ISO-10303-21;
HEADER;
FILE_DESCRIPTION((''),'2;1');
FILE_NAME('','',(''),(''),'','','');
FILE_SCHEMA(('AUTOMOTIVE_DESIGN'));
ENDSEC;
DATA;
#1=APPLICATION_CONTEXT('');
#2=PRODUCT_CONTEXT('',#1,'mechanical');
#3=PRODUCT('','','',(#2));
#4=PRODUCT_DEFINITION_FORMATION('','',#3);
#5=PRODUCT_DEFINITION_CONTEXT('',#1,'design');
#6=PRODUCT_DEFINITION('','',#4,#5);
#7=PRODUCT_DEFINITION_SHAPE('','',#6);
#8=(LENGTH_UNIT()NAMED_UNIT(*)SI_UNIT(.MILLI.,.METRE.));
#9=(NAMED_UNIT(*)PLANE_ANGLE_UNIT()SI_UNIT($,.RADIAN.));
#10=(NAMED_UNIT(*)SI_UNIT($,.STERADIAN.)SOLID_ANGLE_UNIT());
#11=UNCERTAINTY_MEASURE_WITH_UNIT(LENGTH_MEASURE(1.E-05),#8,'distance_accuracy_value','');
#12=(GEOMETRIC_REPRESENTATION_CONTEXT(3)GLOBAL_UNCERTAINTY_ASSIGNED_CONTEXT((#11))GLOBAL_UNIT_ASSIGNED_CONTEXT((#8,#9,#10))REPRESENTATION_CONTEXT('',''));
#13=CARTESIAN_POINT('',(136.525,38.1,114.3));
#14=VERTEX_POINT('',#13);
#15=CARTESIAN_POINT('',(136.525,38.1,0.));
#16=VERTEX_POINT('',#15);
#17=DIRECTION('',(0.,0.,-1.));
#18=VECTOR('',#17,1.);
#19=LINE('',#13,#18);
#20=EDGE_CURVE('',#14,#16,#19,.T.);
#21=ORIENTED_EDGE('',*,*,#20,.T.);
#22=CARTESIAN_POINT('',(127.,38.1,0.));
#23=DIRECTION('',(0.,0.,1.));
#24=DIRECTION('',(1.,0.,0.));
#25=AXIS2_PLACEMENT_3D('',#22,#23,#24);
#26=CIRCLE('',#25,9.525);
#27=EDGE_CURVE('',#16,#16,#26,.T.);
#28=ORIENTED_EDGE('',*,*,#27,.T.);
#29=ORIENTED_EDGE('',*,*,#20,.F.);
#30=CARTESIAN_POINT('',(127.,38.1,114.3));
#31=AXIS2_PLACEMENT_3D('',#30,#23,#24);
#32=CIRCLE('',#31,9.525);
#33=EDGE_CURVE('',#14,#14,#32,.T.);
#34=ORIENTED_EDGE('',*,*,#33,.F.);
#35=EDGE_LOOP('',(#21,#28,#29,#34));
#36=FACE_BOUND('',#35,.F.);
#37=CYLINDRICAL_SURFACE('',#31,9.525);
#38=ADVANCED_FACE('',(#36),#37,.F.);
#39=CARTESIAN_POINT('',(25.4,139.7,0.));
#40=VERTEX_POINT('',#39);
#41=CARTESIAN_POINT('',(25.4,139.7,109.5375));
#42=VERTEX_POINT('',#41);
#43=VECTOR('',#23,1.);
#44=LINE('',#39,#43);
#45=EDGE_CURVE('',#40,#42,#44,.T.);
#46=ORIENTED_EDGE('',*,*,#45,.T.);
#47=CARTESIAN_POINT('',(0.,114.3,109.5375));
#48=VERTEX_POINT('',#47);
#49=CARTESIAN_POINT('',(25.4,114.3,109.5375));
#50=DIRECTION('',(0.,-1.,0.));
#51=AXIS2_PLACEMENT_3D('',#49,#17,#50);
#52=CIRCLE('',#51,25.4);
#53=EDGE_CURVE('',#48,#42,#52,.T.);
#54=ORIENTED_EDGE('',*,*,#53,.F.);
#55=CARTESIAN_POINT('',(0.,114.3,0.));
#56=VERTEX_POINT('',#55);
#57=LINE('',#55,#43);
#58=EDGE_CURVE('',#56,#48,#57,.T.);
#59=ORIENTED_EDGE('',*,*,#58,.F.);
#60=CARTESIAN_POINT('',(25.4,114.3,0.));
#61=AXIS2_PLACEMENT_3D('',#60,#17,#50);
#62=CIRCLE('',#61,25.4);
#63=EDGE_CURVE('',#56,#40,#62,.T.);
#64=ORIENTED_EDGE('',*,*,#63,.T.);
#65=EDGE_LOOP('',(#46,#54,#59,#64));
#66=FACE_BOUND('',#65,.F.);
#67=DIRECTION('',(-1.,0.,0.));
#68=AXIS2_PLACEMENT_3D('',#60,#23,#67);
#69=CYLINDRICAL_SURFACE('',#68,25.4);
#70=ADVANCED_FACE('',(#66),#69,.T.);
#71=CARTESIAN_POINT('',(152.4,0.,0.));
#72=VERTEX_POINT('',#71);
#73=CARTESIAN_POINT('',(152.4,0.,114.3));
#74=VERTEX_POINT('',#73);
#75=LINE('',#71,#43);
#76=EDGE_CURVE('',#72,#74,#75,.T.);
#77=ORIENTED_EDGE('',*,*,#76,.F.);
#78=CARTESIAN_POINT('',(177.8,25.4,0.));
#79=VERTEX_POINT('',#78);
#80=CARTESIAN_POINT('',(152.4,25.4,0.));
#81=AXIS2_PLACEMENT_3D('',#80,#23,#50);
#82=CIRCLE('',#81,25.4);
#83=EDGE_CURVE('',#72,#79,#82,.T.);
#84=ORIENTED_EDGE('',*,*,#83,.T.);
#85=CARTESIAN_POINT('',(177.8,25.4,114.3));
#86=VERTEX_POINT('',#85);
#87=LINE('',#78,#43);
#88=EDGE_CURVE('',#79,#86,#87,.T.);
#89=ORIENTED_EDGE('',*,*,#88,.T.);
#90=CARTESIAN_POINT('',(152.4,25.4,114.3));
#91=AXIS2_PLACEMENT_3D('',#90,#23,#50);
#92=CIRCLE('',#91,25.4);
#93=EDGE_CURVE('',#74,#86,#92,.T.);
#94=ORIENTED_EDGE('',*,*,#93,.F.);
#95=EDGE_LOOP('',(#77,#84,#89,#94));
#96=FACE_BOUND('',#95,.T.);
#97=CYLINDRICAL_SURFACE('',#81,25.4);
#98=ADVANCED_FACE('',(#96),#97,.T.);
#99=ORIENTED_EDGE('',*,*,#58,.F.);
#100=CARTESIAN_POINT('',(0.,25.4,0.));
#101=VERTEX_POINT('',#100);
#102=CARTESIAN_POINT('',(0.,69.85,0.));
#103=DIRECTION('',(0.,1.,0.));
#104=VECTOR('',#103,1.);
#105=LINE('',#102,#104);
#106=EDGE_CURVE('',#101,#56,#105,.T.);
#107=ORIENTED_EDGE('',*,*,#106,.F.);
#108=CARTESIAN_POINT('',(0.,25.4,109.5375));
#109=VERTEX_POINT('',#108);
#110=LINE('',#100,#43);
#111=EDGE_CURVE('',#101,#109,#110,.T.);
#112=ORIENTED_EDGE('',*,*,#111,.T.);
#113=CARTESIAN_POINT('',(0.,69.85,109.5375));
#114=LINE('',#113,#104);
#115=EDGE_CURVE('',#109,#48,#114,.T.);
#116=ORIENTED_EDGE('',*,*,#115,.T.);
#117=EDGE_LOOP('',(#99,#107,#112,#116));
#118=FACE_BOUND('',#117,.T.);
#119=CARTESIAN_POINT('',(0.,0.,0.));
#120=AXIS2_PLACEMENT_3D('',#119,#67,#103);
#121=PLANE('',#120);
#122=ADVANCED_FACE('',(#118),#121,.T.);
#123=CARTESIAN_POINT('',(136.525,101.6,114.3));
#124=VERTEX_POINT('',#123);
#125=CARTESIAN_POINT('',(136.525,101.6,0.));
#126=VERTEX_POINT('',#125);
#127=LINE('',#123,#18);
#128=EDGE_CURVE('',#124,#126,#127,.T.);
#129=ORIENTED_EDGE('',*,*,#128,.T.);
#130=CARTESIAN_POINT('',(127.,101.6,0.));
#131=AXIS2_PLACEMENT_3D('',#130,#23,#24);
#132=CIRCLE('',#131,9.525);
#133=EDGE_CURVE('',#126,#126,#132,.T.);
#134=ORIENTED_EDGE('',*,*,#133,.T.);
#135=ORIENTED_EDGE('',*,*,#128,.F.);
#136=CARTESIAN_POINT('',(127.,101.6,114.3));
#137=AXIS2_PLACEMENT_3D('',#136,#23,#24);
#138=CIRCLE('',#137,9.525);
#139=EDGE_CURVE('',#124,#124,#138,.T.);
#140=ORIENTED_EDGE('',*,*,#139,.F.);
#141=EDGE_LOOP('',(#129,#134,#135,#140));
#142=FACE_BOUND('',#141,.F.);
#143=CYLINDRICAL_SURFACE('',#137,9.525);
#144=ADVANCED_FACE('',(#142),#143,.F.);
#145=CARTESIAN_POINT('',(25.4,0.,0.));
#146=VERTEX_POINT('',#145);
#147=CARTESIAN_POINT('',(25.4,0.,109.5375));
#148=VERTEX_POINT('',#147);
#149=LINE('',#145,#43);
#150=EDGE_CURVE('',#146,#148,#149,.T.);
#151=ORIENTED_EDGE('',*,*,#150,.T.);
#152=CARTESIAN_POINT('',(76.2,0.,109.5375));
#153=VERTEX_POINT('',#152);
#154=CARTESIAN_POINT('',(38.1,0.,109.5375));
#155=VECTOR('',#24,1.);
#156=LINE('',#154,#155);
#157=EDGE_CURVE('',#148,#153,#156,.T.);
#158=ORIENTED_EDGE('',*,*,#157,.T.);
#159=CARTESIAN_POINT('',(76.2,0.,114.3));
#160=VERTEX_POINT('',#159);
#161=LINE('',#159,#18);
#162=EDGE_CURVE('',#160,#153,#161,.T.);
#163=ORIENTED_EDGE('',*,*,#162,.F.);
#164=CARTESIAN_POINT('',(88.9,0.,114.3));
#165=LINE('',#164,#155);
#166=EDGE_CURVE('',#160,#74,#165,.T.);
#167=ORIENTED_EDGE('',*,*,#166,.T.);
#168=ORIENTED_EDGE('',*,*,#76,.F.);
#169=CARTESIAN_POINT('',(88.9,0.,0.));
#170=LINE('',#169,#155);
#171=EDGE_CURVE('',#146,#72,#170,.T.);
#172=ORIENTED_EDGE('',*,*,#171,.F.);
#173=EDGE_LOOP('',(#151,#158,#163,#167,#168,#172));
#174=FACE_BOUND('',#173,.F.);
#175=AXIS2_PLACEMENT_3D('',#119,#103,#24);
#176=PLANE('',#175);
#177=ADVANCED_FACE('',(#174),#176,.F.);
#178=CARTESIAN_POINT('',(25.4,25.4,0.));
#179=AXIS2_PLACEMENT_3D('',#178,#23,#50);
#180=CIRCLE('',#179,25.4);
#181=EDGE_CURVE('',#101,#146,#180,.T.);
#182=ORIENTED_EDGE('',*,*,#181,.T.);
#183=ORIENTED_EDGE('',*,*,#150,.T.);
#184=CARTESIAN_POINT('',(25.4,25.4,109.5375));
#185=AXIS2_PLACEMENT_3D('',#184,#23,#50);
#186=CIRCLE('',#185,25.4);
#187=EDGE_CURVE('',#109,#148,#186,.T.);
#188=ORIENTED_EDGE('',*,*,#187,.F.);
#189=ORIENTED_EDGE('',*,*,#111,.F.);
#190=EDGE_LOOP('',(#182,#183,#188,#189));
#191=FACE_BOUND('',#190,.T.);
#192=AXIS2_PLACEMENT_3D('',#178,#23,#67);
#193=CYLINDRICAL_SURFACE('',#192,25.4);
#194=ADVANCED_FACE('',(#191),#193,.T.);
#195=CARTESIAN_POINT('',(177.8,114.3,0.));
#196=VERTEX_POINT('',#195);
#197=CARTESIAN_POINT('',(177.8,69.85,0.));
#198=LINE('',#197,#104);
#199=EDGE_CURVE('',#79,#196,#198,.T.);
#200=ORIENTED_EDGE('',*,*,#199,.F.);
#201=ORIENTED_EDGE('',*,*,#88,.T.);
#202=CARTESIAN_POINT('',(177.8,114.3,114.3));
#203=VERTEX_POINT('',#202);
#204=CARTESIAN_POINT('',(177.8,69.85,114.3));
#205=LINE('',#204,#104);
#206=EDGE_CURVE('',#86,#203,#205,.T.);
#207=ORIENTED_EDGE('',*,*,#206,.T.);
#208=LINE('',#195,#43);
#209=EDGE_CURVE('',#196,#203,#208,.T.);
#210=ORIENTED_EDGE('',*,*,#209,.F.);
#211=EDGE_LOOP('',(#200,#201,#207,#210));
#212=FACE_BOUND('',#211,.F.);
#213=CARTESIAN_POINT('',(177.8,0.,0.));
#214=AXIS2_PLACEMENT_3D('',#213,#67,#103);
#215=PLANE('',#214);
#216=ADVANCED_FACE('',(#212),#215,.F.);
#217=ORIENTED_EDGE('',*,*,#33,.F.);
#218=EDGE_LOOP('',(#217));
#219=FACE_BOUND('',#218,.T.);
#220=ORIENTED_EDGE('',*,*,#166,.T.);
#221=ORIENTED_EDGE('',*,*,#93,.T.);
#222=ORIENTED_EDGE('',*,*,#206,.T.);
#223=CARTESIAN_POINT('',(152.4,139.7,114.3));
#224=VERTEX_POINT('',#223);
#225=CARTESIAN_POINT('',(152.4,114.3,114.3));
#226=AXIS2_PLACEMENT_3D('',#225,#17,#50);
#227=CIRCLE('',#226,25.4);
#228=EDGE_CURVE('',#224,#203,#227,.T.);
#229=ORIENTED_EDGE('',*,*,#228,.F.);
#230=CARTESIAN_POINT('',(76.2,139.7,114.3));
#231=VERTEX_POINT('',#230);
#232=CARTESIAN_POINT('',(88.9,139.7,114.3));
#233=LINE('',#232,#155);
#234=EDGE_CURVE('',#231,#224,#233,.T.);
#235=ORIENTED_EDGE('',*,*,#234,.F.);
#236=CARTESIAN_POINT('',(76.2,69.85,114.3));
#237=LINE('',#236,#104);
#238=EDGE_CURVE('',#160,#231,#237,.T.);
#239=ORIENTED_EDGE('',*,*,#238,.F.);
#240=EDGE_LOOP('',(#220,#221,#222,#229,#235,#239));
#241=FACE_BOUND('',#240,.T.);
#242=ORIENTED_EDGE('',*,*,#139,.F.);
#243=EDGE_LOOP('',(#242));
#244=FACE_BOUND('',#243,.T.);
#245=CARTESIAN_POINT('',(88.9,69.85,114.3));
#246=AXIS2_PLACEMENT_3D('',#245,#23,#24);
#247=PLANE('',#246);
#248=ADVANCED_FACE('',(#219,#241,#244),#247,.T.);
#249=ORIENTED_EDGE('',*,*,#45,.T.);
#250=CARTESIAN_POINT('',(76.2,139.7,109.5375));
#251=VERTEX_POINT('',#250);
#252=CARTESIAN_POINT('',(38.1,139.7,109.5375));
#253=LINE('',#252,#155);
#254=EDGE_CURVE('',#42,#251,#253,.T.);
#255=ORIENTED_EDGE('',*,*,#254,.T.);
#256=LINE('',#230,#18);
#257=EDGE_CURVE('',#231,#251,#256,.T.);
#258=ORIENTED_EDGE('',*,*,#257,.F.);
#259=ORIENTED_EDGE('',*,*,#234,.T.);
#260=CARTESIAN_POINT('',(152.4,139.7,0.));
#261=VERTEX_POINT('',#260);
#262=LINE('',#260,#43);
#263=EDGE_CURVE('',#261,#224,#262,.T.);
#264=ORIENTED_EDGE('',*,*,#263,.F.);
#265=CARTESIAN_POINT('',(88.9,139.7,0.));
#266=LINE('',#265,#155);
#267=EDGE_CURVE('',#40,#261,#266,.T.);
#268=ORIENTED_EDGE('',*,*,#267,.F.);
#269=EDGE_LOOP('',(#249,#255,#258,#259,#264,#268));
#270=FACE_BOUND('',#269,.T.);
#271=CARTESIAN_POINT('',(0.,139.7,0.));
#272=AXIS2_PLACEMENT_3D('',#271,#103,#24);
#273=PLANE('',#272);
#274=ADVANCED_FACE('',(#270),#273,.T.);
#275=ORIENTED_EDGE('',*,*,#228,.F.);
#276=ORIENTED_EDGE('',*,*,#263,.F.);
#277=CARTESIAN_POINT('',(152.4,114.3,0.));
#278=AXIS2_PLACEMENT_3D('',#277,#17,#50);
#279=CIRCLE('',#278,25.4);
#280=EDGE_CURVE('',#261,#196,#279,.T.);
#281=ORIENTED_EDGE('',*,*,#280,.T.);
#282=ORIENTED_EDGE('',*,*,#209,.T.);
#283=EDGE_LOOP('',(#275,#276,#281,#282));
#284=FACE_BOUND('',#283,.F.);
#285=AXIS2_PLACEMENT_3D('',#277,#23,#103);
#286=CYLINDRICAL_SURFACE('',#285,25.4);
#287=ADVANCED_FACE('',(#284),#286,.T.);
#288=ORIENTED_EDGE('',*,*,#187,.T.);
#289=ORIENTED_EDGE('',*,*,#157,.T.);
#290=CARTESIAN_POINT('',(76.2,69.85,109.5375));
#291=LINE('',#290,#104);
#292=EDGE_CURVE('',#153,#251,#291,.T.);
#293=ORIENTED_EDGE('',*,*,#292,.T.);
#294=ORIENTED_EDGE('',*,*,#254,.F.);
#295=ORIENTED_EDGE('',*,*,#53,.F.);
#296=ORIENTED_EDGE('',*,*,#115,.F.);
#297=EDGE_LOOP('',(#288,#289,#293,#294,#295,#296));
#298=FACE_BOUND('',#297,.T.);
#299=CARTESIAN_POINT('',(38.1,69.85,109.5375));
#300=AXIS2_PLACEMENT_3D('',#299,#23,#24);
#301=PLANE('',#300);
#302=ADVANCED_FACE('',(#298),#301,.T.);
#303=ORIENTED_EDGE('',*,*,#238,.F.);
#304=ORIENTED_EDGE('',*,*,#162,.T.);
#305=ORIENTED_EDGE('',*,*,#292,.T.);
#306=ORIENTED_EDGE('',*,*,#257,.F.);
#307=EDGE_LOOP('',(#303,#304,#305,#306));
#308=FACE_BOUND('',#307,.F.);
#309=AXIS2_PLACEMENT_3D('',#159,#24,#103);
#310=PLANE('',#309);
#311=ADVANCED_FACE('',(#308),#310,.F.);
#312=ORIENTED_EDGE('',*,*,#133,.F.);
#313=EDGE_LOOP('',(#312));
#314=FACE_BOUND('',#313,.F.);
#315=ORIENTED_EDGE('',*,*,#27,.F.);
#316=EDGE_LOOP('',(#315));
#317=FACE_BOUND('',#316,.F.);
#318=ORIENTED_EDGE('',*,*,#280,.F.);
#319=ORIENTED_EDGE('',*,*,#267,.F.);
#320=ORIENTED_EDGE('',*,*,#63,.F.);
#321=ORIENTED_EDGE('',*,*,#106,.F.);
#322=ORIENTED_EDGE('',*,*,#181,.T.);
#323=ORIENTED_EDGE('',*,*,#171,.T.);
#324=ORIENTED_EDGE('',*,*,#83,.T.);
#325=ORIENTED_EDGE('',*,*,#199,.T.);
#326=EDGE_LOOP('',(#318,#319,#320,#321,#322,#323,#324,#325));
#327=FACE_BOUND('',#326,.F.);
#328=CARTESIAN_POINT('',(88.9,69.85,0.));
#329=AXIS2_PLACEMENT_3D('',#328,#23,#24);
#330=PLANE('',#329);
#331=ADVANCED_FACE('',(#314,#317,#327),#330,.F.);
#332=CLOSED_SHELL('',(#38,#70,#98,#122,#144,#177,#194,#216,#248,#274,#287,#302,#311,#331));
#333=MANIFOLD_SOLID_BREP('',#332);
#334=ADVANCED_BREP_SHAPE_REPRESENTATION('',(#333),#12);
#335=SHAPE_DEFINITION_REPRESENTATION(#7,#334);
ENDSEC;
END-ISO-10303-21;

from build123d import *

# Parameters (mm, degrees)
F0_W     = 177.8
F0_H     = 139.7
F1_DEPTH = 114.3
F2_W     = 76.2
F2_H     = 139.7
F3_DEPTH = 4.7625
F4_R     = 9.525
F5_DEPTH = 114.301
F6_R     = 25.4


with BuildPart() as f1:
    # F0 (on Top) → F1 (new body)
    with BuildSketch(Plane.XY):
        with Locations((88.9, 69.85)):
            Rectangle(F0_W, F0_H)
    extrude(amount=F1_DEPTH)

    # F2 (on face) → F3 (cut)
    with BuildSketch(Plane.XY.offset(114.3)):
        with Locations((38.1, 69.85)):
            Rectangle(F2_W, F2_H)
    extrude(amount=-F3_DEPTH, mode=Mode.SUBTRACT)

    # F4 (on face) → F5 (cut, through all)
    with BuildSketch(Plane.XY.offset(114.3)):
        with Locations((127, 101.6)):
            Circle(F4_R)
        with Locations((127, 38.1)):
            Circle(F4_R)
    extrude(amount=-F5_DEPTH, mode=Mode.SUBTRACT)

    # F6
    f6_edges = [f1.edges().sort_by_distance(p)[0] for p in [
        (0, 0, 54.76875),
        (177.8, 0, 57.15),
        (177.8, 139.7, 57.15),
        (0, 139.7, 54.76875),
    ]]
    fillet(f6_edges, radius=F6_R)


solid = f1.part
